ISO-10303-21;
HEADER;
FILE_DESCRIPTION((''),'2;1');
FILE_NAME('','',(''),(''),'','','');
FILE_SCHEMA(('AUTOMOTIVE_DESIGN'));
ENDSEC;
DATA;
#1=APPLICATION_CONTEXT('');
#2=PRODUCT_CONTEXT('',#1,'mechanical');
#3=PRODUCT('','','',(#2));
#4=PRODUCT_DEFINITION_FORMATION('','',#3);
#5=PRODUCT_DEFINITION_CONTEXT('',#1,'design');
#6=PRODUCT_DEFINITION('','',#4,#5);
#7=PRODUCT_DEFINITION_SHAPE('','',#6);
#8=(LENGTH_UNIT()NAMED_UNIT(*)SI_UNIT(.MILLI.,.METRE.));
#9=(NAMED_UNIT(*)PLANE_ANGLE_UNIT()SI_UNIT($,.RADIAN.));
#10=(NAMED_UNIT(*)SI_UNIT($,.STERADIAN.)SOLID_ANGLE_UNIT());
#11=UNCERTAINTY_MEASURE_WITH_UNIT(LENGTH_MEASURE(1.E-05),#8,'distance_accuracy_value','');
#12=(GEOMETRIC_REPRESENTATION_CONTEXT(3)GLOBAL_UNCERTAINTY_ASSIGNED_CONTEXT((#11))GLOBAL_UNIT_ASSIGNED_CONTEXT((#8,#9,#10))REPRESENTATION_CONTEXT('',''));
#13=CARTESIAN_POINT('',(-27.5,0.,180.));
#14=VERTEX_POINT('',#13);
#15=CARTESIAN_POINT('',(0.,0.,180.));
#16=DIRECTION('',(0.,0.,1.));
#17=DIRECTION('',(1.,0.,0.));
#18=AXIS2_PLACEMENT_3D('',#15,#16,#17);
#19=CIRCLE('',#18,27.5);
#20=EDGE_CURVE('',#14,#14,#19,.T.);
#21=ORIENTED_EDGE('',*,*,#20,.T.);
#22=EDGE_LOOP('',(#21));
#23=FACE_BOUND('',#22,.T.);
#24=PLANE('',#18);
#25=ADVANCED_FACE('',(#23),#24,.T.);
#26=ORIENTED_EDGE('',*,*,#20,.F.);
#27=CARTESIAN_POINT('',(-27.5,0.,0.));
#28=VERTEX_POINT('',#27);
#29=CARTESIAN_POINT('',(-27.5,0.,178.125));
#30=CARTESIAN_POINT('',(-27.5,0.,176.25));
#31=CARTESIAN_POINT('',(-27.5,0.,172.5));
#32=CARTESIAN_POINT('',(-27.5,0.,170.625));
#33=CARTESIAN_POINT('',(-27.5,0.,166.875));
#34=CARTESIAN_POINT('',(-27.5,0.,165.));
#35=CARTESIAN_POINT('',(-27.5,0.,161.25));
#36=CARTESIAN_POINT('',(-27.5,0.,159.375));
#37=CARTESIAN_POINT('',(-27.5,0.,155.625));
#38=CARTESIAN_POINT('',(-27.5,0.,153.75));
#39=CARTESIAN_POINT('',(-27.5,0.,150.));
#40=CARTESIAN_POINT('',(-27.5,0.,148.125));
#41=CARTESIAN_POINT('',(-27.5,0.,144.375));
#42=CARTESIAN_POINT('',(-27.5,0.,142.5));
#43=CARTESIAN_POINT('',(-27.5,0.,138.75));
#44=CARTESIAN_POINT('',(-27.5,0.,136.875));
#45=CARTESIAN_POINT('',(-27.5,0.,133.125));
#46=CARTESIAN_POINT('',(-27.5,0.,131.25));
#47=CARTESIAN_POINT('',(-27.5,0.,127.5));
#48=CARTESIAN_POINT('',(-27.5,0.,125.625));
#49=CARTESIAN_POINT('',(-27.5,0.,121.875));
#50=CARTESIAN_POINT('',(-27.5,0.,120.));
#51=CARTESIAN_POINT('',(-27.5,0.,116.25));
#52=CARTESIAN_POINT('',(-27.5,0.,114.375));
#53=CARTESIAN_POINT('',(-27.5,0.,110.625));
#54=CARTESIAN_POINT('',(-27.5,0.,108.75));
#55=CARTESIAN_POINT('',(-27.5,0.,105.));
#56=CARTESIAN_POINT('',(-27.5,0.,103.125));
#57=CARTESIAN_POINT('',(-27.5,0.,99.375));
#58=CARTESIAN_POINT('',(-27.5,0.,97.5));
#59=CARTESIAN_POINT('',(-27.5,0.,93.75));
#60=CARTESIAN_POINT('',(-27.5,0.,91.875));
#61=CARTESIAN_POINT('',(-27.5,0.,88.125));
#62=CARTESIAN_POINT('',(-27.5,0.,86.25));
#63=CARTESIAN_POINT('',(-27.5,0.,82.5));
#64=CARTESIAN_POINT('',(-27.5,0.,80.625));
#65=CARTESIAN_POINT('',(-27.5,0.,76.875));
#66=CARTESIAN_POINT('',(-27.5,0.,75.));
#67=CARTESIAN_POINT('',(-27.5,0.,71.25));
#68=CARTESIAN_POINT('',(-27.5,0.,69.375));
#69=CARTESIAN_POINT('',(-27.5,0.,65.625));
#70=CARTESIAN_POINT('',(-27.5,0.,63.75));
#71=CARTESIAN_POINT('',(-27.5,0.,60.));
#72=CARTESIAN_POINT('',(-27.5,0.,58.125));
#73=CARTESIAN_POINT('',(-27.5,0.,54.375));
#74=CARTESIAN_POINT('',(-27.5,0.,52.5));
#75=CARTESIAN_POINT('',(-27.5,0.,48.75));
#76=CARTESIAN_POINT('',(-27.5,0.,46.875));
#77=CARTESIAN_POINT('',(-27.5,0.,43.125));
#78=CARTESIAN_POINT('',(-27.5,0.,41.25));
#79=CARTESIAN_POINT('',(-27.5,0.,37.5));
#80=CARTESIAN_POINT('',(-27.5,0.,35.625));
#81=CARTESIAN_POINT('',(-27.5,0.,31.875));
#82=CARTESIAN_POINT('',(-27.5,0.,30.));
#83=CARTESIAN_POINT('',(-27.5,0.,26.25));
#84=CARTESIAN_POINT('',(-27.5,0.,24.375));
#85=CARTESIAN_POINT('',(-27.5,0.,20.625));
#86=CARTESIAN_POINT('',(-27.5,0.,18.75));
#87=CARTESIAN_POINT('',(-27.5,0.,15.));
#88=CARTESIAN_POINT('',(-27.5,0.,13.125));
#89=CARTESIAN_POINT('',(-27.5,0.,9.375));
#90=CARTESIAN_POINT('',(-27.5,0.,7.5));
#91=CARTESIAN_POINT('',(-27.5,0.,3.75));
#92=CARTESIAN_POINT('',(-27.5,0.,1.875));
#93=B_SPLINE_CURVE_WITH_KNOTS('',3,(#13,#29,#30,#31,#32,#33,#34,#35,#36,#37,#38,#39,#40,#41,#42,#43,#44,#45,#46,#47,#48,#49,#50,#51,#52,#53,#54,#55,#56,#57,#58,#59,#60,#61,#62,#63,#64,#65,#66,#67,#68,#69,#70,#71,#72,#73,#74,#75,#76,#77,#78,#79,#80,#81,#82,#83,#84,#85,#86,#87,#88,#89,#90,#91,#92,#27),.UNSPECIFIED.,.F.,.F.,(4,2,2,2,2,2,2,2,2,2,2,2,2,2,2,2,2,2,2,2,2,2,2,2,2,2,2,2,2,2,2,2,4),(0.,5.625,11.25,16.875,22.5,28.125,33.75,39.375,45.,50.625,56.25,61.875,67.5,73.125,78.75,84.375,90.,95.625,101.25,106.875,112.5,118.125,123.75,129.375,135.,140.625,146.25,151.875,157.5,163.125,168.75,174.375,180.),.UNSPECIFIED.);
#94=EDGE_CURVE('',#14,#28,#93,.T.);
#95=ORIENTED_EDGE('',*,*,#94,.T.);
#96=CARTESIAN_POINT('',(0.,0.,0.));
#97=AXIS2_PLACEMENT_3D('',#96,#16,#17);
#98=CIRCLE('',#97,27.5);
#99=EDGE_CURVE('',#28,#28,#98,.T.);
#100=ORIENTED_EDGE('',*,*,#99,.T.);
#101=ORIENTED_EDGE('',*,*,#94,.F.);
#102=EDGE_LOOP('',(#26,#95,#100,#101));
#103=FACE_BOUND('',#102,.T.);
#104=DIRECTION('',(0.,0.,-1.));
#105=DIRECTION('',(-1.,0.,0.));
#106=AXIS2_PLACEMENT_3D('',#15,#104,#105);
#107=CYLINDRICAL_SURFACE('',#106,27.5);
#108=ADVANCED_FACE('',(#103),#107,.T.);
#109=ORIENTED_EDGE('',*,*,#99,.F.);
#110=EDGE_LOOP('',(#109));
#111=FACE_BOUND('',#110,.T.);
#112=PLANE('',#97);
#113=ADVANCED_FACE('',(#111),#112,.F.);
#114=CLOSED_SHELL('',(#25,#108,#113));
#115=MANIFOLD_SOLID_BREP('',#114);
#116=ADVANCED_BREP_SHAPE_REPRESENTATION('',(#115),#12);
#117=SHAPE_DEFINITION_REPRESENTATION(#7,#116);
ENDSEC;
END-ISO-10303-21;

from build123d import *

# Parameters (mm, degrees)
SKETCH1_R           = 27.5
BOSS_EXTRUDE1_DEPTH = 180
SKETCH2_R           = 27.5
BOSS_EXTRUDE2_DEPTH = 180
SKETCH3_R           = 27.5
BOSS_EXTRUDE3_DEPTH = 180


with BuildPart() as part:
    # Sketch1 → Boss-Extrude1 (new body)
    with BuildSketch(Plane.XY):
        Circle(SKETCH1_R)
    extrude(amount=BOSS_EXTRUDE1_DEPTH)

    # Sketch2 → Boss-Extrude2 (add)
    with BuildSketch(Plane.XY):
        Circle(SKETCH2_R)
    extrude(amount=BOSS_EXTRUDE2_DEPTH)

    # Sketch3 → Boss-Extrude3 (add)
    with BuildSketch(Plane.XY):
        Circle(SKETCH3_R)
    extrude(amount=BOSS_EXTRUDE3_DEPTH)


solid = part.part
